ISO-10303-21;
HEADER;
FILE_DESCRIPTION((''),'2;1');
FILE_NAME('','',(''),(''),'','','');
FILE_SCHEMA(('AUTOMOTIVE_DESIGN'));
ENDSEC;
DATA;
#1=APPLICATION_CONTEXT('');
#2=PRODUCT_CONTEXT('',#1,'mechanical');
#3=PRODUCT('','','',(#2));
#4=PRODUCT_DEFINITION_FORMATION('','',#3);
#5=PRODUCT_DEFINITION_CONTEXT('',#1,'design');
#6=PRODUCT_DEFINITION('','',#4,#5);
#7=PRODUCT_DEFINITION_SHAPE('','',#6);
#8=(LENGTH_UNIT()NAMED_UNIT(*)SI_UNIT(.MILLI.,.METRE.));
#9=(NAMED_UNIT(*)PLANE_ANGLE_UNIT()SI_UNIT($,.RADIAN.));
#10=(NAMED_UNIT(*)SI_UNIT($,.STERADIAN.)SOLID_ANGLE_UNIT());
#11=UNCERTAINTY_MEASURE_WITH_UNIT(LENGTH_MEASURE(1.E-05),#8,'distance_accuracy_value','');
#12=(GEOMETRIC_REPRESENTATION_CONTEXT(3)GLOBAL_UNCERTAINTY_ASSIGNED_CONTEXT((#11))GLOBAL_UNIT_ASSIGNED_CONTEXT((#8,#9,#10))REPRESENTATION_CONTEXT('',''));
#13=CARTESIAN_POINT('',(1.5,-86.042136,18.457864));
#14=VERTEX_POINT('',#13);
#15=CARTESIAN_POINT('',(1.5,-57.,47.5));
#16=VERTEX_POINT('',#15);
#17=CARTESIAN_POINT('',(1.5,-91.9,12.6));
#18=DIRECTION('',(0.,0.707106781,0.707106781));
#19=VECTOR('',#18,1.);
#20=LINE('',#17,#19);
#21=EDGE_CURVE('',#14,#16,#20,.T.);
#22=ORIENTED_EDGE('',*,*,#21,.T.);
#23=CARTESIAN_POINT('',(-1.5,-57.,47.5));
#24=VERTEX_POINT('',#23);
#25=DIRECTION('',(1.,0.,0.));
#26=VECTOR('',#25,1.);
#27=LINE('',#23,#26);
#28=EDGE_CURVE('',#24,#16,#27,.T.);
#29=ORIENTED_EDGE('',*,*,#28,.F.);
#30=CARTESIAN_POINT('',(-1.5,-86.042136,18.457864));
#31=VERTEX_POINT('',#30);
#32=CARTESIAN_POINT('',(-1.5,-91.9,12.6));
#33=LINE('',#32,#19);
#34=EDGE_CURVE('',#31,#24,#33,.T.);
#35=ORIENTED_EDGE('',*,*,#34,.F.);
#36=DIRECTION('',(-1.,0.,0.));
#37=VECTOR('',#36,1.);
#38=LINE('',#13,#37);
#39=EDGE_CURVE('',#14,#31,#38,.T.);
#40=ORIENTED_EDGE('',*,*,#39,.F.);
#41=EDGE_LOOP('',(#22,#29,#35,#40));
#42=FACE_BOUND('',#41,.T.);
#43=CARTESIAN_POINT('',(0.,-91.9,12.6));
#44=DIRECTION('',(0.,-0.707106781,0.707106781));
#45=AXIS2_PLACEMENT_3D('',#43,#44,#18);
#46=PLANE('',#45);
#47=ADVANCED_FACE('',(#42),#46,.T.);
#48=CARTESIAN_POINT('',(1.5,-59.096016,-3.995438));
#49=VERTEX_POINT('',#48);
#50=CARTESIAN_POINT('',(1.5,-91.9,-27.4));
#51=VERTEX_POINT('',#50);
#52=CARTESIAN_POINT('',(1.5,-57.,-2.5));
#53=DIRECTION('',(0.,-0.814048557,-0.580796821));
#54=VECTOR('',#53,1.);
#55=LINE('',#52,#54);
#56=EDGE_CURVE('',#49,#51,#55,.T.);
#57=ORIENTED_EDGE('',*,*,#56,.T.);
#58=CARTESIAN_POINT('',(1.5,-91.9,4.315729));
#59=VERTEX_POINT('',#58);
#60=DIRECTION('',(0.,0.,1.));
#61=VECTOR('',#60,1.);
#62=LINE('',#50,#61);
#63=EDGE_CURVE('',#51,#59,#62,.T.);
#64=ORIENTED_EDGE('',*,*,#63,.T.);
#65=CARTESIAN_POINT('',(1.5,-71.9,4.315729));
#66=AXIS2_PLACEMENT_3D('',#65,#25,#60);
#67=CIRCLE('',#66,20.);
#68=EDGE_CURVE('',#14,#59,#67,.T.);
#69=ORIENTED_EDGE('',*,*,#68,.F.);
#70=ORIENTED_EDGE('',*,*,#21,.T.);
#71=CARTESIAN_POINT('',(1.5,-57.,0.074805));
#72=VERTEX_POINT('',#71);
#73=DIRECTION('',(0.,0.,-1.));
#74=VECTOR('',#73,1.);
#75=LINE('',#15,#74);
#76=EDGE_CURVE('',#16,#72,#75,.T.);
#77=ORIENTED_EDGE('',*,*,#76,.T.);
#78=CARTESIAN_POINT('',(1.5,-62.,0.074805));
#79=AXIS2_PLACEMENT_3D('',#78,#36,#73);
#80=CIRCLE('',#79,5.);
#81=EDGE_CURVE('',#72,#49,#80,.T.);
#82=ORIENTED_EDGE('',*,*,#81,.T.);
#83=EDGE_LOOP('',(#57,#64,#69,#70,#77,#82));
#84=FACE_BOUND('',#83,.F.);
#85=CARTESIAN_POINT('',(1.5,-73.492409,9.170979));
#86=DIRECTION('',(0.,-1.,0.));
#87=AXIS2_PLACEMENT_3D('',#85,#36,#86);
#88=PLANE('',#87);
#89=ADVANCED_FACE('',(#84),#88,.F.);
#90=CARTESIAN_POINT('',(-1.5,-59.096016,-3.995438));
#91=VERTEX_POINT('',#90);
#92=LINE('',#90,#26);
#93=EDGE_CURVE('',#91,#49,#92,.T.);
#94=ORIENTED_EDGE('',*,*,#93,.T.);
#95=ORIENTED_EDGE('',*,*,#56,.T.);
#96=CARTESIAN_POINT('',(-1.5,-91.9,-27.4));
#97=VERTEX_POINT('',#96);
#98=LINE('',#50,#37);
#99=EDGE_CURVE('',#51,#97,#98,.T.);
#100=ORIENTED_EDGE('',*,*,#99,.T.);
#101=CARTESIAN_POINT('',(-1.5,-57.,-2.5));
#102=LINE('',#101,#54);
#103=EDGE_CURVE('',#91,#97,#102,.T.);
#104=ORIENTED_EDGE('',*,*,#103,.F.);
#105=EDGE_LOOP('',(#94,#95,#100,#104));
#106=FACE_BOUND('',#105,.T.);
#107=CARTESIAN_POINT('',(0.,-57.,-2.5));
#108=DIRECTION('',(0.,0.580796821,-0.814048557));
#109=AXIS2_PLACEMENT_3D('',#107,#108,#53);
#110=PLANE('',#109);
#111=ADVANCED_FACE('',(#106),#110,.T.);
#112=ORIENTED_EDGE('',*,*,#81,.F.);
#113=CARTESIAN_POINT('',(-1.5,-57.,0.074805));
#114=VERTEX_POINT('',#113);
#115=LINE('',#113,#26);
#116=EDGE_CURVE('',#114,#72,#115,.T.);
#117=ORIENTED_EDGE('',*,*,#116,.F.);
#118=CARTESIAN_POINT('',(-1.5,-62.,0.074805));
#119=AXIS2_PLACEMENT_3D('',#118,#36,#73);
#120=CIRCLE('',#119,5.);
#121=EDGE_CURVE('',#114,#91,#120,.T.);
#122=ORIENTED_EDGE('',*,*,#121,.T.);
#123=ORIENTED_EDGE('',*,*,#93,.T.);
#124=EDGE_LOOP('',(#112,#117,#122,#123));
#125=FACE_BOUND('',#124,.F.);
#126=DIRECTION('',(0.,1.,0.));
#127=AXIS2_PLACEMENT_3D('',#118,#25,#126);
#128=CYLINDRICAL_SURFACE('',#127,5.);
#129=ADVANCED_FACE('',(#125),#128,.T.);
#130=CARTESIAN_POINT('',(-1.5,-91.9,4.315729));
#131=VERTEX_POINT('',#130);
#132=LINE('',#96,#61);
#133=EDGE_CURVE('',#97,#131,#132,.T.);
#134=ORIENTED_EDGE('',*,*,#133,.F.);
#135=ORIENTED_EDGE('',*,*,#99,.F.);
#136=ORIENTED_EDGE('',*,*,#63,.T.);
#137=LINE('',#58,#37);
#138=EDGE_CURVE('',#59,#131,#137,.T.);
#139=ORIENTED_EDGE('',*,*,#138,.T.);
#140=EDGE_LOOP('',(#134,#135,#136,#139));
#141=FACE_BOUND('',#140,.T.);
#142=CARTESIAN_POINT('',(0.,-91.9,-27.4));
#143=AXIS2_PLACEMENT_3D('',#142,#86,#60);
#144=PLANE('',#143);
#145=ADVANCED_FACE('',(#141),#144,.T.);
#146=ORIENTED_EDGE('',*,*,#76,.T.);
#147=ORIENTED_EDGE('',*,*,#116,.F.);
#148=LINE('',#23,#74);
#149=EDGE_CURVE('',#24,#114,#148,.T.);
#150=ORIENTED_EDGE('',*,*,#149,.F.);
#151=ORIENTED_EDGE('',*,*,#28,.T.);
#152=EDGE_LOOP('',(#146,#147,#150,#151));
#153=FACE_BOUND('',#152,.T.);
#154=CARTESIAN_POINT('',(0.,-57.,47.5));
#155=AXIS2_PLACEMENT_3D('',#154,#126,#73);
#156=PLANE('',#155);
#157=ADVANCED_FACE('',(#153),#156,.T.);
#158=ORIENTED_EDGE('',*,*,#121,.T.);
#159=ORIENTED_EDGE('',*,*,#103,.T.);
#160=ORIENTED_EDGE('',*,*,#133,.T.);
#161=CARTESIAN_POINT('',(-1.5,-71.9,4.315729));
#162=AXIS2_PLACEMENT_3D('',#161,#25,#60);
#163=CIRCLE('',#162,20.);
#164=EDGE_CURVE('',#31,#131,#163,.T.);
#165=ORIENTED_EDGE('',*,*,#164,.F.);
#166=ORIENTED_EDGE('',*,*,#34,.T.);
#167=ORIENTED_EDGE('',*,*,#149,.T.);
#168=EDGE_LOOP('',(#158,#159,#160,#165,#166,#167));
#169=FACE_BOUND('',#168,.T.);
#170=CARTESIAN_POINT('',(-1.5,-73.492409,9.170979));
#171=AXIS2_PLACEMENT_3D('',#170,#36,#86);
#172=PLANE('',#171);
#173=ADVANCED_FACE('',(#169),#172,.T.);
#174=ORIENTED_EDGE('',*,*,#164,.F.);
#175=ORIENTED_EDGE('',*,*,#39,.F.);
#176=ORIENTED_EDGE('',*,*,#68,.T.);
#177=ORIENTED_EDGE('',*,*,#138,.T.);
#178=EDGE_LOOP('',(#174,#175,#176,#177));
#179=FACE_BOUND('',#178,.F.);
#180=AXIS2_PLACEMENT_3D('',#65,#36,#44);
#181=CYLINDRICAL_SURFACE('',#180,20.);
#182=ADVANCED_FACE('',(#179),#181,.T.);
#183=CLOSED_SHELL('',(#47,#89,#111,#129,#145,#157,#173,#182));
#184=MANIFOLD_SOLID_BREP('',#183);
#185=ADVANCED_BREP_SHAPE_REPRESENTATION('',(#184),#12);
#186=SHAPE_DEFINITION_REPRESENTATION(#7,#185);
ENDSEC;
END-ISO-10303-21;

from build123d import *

# Parameters (mm, degrees)
PAD006_DEPTH            = 1.5
FILLET006_R             = 20
FILLET007_R             = 5
BODY007_PLACEMENT_ANGLE = 180


with BuildPart() as part:
    # Sketch011 → Pad006 (new body, symmetric)
    with BuildSketch(Plane.YZ):
        Polygon((27, -2.5), (61.9, -27.4), (61.9, 12.6), (27, 47.5), align=None)
    extrude(amount=PAD006_DEPTH, both=True)

    # Fillet006
    fillet006_edges = [part.edges().sort_by_distance(p)[0] for p in [
        (0, 61.9, 12.6),
    ]]
    fillet(fillet006_edges, radius=FILLET006_R)

    # Fillet007
    fillet007_edges = [part.edges().sort_by_distance(p)[0] for p in [
        (0, 27, -2.5),
    ]]
    fillet(fillet007_edges, radius=FILLET007_R)


with BuildPart() as part_1:
    # Body007 placement: moved
    add(part.part.moved(Location((0, -30, 0))).rotate(Axis((0, -30, 0), (0, 0, 1)), BODY007_PLACEMENT_ANGLE))


solid = part_1.part
